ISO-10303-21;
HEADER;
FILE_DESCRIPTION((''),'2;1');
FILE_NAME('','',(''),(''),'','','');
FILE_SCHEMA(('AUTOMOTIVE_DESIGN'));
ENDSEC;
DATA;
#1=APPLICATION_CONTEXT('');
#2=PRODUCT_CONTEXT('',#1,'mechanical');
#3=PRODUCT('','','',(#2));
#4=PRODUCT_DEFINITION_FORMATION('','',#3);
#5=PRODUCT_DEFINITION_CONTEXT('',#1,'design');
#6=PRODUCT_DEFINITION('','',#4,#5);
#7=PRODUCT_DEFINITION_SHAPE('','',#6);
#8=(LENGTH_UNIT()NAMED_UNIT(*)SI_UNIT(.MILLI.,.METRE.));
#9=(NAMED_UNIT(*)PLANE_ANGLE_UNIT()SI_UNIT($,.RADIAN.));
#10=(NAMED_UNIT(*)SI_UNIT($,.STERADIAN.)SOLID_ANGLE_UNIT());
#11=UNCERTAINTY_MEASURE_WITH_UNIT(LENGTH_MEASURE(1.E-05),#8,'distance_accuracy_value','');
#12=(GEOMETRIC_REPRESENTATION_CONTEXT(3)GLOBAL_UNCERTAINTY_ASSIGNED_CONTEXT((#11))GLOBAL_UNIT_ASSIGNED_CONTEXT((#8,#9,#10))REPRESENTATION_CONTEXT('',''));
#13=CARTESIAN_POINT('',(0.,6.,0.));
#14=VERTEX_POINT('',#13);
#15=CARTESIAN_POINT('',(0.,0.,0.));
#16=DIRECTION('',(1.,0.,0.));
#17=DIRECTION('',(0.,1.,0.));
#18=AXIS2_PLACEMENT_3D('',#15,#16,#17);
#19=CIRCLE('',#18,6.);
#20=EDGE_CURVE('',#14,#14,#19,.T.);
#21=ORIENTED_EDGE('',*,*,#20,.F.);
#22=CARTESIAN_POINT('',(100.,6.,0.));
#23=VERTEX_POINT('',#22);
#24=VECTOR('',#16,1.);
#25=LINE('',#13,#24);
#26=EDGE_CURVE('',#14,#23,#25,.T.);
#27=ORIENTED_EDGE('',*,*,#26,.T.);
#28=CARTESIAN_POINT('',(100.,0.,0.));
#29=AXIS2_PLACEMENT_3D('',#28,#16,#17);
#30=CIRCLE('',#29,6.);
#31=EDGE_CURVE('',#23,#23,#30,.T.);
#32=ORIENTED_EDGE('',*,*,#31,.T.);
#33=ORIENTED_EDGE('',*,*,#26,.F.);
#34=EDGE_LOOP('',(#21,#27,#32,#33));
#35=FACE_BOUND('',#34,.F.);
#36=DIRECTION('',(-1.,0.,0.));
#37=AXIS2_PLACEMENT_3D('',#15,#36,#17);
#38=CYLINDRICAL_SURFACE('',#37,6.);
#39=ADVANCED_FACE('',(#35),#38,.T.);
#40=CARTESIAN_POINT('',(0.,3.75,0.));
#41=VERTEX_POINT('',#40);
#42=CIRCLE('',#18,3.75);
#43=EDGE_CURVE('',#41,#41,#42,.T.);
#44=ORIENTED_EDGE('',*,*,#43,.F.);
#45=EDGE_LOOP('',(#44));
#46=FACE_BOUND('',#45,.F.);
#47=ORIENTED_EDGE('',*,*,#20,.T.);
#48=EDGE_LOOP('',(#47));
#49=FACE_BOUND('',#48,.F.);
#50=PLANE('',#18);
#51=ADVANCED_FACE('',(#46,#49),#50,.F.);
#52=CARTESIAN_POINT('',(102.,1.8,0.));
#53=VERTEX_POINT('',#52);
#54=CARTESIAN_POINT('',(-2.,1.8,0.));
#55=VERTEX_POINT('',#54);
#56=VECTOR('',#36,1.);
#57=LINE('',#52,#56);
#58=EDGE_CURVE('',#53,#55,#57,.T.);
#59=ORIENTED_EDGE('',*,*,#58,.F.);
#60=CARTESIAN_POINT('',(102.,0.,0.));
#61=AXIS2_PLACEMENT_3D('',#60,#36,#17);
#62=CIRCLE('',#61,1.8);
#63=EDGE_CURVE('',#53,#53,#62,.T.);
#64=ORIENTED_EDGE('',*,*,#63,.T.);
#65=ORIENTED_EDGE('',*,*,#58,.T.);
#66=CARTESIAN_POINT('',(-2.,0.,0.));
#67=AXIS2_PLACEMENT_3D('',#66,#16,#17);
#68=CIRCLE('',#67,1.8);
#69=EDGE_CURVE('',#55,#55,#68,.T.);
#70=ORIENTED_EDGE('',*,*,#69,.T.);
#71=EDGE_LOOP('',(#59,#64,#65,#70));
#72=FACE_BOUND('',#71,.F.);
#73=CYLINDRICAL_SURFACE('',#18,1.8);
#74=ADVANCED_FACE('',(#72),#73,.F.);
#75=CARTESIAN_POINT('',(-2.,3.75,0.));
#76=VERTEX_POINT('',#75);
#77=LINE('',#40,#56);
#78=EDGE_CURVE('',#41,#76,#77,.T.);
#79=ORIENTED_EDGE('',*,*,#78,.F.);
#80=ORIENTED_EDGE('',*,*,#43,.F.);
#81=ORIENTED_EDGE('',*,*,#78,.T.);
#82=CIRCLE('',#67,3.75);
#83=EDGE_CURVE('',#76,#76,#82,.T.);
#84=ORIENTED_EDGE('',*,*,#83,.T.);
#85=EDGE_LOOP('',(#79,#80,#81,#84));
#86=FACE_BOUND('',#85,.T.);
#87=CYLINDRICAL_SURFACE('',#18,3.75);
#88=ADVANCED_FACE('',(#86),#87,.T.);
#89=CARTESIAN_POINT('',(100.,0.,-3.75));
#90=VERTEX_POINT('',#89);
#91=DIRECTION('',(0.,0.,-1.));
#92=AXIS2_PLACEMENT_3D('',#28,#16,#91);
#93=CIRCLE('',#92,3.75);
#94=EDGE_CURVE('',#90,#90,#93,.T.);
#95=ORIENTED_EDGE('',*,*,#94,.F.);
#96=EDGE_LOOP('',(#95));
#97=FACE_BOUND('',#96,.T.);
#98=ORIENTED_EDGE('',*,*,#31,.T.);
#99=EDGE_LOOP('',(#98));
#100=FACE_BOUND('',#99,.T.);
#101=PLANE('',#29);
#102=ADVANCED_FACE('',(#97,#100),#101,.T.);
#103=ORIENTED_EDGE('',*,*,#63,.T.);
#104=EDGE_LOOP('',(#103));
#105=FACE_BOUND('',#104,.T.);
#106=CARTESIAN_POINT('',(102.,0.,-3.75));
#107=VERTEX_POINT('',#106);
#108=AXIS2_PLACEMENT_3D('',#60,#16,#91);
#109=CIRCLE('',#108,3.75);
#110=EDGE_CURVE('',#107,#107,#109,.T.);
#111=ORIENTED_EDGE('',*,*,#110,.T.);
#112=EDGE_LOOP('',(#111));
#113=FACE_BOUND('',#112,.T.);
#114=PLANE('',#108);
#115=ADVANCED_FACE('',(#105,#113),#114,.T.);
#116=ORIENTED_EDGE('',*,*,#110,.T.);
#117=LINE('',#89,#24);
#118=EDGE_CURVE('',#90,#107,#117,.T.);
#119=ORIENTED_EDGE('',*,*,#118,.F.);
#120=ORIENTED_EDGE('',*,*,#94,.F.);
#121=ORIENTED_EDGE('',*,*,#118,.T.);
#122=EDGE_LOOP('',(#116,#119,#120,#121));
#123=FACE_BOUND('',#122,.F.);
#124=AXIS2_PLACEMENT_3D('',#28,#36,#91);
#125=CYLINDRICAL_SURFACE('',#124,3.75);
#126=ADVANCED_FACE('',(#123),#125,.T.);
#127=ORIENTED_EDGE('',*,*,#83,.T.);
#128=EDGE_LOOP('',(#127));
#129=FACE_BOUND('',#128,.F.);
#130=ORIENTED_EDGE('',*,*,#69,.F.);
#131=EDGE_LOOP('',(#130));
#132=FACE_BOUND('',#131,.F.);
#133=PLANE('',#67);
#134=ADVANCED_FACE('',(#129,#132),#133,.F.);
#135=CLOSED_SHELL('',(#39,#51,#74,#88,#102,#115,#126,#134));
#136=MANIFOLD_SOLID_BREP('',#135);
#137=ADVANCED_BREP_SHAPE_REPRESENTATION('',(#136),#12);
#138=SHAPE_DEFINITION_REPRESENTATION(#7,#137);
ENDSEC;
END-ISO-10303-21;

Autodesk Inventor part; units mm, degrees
ref_plane "YZ Plane" through (0, 0, 0) normal (1, 0, 0) x (0, 1, 0)
ref_plane "XZ Plane" through (0, 0, 0) normal (0, 1, 0) x (-1, 0, 0)
ref_plane "XY Plane" through (0, 0, 0) normal (0, 0, 1) x (1, 0, 0)
sketch "Sketch1" plane through (0, 0, 0) normal (1, 0, 0) x (0, 1, 0)
  circle A0 centre (0, 0) radius 3.75
  circle A1 centre (0, 0) radius 6
  circle A2 centre (0, 0) radius 1.8
  dimension "d0" = 7.5
  dimension "d1" = 12
  dimension "d2" = 3.6
extrude "Extrusion1" add sketch "Sketch1" along normal blind 100 contours A0 | A1 | A2
extrude "Extrusion3" add sketch "Sketch1" against normal blind 2 contours A0
sketch "Sketch2" plane through (100, 0, 0) normal (1, 0, 0) x (0, 0, -1)
  circle A0 centre (0, 0) radius 3.75
  dimension "d9" = 7.5
extrude "Extrusion4" add sketch "Sketch2" along normal blind 2
extrude "Extrusion2" cut sketch "Sketch1" along normal blind 600 contours A2
properties part number "extendo100"
